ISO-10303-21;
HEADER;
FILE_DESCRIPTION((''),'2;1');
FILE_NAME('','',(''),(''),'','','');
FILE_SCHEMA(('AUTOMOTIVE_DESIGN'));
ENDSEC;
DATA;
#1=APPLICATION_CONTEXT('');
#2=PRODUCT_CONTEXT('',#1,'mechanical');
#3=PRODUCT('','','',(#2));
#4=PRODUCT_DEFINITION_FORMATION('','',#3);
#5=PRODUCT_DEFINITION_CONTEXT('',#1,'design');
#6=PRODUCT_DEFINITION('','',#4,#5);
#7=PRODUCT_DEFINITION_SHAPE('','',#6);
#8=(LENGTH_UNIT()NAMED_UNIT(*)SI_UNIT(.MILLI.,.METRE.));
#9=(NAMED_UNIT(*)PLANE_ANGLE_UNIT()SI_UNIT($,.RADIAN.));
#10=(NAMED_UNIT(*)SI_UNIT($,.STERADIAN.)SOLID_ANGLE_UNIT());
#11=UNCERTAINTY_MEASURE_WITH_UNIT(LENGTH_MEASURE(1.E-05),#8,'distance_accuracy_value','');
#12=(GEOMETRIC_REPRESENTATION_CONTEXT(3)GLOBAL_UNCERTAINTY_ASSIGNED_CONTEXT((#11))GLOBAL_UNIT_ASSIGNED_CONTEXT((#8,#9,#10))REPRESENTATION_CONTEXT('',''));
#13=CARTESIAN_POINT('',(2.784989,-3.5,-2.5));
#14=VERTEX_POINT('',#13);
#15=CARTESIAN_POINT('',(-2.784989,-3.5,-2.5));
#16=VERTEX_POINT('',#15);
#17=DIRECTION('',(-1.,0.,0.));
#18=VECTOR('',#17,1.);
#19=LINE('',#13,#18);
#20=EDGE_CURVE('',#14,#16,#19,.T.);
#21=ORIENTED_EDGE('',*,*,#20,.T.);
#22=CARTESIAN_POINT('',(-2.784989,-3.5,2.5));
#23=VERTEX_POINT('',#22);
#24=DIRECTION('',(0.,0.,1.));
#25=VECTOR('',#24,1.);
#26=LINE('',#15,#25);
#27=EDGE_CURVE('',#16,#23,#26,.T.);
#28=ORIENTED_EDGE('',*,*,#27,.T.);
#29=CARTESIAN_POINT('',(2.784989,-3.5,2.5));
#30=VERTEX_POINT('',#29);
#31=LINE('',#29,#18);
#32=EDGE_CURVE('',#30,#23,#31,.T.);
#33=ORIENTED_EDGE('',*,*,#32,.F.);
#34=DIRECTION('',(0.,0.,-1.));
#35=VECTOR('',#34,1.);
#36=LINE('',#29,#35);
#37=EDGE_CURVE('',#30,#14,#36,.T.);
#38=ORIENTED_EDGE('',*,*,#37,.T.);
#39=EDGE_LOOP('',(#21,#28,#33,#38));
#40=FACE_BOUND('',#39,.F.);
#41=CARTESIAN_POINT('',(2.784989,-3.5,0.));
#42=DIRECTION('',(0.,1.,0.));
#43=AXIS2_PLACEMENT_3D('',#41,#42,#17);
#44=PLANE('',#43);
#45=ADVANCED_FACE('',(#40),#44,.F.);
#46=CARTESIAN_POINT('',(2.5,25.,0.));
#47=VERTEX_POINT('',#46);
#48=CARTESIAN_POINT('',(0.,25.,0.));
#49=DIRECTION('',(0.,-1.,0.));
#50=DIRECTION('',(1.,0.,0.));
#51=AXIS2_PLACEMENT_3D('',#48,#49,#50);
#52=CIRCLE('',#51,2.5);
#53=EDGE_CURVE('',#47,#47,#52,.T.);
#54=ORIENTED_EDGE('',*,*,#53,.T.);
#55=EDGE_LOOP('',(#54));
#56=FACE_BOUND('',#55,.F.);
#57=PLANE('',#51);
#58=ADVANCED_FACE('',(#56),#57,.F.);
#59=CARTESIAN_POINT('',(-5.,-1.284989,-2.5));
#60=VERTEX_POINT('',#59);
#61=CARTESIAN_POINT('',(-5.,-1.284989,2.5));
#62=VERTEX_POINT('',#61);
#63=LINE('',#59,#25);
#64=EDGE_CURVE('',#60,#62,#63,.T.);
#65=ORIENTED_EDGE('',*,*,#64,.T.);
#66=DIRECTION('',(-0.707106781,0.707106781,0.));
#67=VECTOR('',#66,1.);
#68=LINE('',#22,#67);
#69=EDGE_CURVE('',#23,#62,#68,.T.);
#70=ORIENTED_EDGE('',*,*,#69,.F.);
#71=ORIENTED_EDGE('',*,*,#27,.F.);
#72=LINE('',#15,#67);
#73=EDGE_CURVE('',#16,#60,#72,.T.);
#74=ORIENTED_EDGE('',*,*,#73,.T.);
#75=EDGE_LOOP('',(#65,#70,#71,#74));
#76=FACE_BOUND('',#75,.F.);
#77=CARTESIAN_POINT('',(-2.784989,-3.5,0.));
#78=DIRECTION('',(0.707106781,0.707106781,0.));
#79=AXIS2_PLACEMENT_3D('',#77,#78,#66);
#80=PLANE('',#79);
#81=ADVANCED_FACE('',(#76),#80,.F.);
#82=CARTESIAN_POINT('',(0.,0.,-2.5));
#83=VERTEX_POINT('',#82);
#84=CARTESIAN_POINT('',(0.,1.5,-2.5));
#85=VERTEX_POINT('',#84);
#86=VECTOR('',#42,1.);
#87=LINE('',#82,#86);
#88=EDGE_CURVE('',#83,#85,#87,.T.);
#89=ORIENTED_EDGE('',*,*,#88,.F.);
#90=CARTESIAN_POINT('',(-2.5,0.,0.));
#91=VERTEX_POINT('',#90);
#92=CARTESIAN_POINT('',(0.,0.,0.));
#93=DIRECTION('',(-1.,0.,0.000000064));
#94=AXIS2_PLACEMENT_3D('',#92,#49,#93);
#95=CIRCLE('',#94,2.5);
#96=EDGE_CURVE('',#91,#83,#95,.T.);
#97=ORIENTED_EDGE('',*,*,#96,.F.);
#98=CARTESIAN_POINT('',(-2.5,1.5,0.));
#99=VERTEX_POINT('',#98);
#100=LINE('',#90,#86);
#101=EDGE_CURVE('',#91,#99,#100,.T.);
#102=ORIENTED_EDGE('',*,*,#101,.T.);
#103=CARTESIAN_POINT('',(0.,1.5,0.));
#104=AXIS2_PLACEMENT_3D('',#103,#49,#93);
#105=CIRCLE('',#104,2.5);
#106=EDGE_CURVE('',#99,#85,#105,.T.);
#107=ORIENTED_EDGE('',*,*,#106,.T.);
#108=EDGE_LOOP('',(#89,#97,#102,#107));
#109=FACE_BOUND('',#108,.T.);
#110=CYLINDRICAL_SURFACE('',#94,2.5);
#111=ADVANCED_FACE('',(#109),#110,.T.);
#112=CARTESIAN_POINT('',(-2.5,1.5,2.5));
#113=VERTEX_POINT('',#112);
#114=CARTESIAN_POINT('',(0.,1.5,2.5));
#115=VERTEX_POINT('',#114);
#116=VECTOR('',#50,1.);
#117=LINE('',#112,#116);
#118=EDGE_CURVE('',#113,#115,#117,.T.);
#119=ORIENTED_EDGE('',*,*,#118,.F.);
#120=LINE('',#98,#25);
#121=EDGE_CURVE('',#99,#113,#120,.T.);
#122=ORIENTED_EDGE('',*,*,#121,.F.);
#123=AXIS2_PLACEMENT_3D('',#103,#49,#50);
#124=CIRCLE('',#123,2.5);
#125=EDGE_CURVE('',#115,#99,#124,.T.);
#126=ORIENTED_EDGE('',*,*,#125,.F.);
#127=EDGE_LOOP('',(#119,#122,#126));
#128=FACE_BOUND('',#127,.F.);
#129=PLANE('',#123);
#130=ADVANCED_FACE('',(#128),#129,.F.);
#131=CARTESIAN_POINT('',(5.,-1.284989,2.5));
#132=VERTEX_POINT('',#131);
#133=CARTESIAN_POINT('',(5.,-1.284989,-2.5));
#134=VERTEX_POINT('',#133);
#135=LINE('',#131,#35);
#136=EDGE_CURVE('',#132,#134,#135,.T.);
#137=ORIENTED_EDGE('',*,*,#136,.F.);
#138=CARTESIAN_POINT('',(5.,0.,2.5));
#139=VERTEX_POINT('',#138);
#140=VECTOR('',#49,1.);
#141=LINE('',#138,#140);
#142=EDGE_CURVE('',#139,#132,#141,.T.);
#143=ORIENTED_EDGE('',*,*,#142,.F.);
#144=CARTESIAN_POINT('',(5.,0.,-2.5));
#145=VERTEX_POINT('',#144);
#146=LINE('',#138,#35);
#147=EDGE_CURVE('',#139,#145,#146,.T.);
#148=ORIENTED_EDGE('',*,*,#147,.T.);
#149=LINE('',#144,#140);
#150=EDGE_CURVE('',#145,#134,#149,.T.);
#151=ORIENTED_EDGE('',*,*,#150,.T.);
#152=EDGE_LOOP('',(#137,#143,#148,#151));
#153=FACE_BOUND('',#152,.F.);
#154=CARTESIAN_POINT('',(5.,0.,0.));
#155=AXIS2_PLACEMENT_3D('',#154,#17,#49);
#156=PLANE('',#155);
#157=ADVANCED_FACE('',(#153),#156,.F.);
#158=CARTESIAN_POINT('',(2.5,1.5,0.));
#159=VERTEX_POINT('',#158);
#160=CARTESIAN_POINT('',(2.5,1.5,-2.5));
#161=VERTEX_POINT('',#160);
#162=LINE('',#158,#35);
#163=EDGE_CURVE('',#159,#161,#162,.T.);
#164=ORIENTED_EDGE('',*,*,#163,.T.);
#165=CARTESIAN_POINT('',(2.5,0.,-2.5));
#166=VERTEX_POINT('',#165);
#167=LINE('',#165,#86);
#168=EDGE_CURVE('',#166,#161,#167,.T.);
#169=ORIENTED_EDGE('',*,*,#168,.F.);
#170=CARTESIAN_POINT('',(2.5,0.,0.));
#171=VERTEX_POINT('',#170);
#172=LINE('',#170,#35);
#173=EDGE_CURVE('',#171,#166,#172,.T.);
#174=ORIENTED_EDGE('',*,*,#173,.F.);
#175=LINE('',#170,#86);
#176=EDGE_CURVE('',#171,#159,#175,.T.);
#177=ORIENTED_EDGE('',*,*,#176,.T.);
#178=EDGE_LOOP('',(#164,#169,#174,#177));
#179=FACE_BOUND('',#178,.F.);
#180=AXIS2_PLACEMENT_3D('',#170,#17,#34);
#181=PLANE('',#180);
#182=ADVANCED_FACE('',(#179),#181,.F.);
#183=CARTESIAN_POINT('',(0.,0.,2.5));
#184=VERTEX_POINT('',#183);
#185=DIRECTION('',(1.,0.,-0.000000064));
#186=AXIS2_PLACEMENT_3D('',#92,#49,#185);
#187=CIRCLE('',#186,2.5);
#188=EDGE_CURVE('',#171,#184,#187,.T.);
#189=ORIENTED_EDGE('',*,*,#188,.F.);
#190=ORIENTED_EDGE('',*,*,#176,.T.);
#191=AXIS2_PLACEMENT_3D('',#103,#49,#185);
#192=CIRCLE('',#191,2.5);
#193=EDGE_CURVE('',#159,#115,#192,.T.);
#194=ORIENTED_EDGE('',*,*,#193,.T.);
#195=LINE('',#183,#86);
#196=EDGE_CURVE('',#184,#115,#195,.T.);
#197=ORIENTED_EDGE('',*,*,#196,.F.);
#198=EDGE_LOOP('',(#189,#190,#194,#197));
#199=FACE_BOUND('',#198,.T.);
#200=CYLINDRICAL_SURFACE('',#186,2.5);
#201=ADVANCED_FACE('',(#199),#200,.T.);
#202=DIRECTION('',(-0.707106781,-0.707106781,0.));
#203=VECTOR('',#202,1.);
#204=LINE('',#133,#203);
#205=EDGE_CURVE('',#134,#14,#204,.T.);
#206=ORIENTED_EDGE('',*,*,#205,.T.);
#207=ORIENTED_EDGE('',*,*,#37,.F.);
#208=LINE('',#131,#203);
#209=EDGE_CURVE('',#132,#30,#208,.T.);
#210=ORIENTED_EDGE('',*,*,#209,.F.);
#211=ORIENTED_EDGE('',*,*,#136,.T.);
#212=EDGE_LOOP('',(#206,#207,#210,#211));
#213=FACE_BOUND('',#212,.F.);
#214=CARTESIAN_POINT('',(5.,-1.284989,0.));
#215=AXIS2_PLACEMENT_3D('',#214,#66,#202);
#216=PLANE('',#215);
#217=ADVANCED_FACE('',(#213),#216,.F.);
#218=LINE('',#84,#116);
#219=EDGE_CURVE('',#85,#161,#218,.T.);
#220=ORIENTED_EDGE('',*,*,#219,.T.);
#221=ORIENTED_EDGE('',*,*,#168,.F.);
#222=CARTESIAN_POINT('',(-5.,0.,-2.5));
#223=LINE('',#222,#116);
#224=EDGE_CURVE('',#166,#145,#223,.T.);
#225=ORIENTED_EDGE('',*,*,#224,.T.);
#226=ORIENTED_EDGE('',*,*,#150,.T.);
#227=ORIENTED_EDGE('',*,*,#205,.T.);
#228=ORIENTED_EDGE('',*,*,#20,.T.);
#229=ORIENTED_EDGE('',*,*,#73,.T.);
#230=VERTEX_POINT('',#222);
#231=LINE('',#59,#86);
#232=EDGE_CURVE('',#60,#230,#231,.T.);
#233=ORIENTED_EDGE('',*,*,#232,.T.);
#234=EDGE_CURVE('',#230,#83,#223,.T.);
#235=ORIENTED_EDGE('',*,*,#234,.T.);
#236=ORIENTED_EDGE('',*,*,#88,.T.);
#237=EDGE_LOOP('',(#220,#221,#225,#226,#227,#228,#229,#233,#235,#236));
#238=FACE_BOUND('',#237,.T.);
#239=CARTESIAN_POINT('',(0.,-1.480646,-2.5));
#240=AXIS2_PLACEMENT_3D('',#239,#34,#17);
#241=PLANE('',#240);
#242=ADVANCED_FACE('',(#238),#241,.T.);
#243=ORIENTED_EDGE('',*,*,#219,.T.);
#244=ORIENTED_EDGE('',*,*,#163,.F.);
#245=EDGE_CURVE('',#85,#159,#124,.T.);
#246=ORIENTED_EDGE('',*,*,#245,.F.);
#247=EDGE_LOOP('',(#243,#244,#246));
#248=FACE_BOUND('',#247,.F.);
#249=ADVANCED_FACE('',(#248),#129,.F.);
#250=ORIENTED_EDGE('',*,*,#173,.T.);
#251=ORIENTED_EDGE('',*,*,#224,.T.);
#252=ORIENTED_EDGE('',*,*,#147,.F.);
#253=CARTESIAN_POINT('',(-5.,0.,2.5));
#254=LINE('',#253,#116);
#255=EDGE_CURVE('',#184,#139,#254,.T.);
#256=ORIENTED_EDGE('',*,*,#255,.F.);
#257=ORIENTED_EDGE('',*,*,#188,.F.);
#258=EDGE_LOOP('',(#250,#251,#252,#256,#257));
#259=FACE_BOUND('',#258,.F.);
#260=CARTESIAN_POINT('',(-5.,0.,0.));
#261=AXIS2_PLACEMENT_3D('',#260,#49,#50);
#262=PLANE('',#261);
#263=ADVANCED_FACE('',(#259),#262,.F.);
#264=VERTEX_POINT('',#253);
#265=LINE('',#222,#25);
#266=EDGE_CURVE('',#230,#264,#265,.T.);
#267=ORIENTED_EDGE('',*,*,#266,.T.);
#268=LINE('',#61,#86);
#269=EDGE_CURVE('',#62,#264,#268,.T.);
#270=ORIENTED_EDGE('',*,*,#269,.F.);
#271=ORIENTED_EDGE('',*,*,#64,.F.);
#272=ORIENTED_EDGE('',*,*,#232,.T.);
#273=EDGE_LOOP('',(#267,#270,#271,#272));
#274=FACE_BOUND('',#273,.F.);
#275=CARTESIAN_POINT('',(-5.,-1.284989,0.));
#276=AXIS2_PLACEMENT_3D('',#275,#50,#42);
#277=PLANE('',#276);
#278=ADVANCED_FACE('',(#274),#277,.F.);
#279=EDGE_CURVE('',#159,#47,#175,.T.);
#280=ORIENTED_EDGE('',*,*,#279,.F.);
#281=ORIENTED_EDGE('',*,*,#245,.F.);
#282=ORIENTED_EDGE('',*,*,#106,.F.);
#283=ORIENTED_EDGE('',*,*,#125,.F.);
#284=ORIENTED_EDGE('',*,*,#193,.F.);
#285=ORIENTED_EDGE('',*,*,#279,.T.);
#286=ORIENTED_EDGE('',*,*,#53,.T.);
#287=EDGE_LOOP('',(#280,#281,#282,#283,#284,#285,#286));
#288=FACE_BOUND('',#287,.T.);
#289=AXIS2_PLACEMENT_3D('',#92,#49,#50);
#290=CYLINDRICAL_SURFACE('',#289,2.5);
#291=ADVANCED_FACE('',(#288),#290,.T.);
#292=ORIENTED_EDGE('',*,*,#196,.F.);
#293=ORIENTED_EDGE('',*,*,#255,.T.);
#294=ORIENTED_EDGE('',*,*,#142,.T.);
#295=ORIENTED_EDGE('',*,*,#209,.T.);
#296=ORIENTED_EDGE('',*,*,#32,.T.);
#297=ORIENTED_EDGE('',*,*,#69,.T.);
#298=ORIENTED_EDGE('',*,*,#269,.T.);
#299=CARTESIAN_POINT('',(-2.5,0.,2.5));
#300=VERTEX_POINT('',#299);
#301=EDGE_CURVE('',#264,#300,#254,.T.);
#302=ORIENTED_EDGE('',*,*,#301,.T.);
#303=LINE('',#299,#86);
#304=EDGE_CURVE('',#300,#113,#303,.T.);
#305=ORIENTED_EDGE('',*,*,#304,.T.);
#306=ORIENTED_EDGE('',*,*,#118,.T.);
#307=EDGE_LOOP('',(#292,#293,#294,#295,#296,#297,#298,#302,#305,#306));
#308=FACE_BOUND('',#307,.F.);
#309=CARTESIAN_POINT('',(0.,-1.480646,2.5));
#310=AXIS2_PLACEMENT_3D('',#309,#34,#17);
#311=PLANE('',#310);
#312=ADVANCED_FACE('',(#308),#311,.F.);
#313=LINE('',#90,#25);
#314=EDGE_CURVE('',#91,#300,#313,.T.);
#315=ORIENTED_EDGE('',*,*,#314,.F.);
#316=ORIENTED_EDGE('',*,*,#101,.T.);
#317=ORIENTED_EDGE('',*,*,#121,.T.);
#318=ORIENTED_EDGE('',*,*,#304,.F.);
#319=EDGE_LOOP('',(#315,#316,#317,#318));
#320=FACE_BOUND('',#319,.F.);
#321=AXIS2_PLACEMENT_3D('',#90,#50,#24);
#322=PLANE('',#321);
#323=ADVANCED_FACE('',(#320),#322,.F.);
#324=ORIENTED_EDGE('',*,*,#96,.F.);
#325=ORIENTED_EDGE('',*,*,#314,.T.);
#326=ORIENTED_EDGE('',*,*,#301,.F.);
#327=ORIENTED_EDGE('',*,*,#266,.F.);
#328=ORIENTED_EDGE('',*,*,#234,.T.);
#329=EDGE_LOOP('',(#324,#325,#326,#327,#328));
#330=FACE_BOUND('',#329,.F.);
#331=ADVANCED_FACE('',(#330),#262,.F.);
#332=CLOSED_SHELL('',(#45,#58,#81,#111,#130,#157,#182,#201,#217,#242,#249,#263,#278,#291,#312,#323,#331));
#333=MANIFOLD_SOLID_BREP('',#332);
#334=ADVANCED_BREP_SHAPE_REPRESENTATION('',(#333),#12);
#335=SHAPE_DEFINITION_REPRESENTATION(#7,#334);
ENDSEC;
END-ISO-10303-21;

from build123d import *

# Parameters (mm, degrees)
PAD_DEPTH    = 2.5
PAD001_DEPTH = 1.5
SKETCH002_R  = 2.5
PAD002_DEPTH = 25


with BuildPart() as part:
    # Sketch → Pad (new body, symmetric)
    with BuildSketch(Plane.XY):
        Polygon((-5, 0), (5, 0), (5, -1.284989), (2.784989, -3.5), (-2.784989, -3.5), (-5, -1.284989), align=None)
    extrude(amount=PAD_DEPTH, both=True)

    # Sketch001 → Pad001 (join)
    with BuildSketch(Plane.XZ):
        with BuildLine():
            ThreePointArc((-2.5, 0), (-1.767767, -1.767767), (0, -2.5))
            Line((0, -2.5), (2.5, -2.5))
            Line((2.5, 0), (2.5, -2.5))
            ThreePointArc((2.5, 0), (1.767767, 1.767767), (0, 2.5))
            Line((-2.5, 2.5), (0, 2.5))
            Line((-2.5, 0), (-2.5, 2.5))
        make_face()
    extrude(amount=-PAD001_DEPTH)

    # Sketch002 → Pad002 (join)
    with BuildSketch(Plane.XZ):
        Circle(SKETCH002_R)
    extrude(amount=-PAD002_DEPTH)


solid = part.part
